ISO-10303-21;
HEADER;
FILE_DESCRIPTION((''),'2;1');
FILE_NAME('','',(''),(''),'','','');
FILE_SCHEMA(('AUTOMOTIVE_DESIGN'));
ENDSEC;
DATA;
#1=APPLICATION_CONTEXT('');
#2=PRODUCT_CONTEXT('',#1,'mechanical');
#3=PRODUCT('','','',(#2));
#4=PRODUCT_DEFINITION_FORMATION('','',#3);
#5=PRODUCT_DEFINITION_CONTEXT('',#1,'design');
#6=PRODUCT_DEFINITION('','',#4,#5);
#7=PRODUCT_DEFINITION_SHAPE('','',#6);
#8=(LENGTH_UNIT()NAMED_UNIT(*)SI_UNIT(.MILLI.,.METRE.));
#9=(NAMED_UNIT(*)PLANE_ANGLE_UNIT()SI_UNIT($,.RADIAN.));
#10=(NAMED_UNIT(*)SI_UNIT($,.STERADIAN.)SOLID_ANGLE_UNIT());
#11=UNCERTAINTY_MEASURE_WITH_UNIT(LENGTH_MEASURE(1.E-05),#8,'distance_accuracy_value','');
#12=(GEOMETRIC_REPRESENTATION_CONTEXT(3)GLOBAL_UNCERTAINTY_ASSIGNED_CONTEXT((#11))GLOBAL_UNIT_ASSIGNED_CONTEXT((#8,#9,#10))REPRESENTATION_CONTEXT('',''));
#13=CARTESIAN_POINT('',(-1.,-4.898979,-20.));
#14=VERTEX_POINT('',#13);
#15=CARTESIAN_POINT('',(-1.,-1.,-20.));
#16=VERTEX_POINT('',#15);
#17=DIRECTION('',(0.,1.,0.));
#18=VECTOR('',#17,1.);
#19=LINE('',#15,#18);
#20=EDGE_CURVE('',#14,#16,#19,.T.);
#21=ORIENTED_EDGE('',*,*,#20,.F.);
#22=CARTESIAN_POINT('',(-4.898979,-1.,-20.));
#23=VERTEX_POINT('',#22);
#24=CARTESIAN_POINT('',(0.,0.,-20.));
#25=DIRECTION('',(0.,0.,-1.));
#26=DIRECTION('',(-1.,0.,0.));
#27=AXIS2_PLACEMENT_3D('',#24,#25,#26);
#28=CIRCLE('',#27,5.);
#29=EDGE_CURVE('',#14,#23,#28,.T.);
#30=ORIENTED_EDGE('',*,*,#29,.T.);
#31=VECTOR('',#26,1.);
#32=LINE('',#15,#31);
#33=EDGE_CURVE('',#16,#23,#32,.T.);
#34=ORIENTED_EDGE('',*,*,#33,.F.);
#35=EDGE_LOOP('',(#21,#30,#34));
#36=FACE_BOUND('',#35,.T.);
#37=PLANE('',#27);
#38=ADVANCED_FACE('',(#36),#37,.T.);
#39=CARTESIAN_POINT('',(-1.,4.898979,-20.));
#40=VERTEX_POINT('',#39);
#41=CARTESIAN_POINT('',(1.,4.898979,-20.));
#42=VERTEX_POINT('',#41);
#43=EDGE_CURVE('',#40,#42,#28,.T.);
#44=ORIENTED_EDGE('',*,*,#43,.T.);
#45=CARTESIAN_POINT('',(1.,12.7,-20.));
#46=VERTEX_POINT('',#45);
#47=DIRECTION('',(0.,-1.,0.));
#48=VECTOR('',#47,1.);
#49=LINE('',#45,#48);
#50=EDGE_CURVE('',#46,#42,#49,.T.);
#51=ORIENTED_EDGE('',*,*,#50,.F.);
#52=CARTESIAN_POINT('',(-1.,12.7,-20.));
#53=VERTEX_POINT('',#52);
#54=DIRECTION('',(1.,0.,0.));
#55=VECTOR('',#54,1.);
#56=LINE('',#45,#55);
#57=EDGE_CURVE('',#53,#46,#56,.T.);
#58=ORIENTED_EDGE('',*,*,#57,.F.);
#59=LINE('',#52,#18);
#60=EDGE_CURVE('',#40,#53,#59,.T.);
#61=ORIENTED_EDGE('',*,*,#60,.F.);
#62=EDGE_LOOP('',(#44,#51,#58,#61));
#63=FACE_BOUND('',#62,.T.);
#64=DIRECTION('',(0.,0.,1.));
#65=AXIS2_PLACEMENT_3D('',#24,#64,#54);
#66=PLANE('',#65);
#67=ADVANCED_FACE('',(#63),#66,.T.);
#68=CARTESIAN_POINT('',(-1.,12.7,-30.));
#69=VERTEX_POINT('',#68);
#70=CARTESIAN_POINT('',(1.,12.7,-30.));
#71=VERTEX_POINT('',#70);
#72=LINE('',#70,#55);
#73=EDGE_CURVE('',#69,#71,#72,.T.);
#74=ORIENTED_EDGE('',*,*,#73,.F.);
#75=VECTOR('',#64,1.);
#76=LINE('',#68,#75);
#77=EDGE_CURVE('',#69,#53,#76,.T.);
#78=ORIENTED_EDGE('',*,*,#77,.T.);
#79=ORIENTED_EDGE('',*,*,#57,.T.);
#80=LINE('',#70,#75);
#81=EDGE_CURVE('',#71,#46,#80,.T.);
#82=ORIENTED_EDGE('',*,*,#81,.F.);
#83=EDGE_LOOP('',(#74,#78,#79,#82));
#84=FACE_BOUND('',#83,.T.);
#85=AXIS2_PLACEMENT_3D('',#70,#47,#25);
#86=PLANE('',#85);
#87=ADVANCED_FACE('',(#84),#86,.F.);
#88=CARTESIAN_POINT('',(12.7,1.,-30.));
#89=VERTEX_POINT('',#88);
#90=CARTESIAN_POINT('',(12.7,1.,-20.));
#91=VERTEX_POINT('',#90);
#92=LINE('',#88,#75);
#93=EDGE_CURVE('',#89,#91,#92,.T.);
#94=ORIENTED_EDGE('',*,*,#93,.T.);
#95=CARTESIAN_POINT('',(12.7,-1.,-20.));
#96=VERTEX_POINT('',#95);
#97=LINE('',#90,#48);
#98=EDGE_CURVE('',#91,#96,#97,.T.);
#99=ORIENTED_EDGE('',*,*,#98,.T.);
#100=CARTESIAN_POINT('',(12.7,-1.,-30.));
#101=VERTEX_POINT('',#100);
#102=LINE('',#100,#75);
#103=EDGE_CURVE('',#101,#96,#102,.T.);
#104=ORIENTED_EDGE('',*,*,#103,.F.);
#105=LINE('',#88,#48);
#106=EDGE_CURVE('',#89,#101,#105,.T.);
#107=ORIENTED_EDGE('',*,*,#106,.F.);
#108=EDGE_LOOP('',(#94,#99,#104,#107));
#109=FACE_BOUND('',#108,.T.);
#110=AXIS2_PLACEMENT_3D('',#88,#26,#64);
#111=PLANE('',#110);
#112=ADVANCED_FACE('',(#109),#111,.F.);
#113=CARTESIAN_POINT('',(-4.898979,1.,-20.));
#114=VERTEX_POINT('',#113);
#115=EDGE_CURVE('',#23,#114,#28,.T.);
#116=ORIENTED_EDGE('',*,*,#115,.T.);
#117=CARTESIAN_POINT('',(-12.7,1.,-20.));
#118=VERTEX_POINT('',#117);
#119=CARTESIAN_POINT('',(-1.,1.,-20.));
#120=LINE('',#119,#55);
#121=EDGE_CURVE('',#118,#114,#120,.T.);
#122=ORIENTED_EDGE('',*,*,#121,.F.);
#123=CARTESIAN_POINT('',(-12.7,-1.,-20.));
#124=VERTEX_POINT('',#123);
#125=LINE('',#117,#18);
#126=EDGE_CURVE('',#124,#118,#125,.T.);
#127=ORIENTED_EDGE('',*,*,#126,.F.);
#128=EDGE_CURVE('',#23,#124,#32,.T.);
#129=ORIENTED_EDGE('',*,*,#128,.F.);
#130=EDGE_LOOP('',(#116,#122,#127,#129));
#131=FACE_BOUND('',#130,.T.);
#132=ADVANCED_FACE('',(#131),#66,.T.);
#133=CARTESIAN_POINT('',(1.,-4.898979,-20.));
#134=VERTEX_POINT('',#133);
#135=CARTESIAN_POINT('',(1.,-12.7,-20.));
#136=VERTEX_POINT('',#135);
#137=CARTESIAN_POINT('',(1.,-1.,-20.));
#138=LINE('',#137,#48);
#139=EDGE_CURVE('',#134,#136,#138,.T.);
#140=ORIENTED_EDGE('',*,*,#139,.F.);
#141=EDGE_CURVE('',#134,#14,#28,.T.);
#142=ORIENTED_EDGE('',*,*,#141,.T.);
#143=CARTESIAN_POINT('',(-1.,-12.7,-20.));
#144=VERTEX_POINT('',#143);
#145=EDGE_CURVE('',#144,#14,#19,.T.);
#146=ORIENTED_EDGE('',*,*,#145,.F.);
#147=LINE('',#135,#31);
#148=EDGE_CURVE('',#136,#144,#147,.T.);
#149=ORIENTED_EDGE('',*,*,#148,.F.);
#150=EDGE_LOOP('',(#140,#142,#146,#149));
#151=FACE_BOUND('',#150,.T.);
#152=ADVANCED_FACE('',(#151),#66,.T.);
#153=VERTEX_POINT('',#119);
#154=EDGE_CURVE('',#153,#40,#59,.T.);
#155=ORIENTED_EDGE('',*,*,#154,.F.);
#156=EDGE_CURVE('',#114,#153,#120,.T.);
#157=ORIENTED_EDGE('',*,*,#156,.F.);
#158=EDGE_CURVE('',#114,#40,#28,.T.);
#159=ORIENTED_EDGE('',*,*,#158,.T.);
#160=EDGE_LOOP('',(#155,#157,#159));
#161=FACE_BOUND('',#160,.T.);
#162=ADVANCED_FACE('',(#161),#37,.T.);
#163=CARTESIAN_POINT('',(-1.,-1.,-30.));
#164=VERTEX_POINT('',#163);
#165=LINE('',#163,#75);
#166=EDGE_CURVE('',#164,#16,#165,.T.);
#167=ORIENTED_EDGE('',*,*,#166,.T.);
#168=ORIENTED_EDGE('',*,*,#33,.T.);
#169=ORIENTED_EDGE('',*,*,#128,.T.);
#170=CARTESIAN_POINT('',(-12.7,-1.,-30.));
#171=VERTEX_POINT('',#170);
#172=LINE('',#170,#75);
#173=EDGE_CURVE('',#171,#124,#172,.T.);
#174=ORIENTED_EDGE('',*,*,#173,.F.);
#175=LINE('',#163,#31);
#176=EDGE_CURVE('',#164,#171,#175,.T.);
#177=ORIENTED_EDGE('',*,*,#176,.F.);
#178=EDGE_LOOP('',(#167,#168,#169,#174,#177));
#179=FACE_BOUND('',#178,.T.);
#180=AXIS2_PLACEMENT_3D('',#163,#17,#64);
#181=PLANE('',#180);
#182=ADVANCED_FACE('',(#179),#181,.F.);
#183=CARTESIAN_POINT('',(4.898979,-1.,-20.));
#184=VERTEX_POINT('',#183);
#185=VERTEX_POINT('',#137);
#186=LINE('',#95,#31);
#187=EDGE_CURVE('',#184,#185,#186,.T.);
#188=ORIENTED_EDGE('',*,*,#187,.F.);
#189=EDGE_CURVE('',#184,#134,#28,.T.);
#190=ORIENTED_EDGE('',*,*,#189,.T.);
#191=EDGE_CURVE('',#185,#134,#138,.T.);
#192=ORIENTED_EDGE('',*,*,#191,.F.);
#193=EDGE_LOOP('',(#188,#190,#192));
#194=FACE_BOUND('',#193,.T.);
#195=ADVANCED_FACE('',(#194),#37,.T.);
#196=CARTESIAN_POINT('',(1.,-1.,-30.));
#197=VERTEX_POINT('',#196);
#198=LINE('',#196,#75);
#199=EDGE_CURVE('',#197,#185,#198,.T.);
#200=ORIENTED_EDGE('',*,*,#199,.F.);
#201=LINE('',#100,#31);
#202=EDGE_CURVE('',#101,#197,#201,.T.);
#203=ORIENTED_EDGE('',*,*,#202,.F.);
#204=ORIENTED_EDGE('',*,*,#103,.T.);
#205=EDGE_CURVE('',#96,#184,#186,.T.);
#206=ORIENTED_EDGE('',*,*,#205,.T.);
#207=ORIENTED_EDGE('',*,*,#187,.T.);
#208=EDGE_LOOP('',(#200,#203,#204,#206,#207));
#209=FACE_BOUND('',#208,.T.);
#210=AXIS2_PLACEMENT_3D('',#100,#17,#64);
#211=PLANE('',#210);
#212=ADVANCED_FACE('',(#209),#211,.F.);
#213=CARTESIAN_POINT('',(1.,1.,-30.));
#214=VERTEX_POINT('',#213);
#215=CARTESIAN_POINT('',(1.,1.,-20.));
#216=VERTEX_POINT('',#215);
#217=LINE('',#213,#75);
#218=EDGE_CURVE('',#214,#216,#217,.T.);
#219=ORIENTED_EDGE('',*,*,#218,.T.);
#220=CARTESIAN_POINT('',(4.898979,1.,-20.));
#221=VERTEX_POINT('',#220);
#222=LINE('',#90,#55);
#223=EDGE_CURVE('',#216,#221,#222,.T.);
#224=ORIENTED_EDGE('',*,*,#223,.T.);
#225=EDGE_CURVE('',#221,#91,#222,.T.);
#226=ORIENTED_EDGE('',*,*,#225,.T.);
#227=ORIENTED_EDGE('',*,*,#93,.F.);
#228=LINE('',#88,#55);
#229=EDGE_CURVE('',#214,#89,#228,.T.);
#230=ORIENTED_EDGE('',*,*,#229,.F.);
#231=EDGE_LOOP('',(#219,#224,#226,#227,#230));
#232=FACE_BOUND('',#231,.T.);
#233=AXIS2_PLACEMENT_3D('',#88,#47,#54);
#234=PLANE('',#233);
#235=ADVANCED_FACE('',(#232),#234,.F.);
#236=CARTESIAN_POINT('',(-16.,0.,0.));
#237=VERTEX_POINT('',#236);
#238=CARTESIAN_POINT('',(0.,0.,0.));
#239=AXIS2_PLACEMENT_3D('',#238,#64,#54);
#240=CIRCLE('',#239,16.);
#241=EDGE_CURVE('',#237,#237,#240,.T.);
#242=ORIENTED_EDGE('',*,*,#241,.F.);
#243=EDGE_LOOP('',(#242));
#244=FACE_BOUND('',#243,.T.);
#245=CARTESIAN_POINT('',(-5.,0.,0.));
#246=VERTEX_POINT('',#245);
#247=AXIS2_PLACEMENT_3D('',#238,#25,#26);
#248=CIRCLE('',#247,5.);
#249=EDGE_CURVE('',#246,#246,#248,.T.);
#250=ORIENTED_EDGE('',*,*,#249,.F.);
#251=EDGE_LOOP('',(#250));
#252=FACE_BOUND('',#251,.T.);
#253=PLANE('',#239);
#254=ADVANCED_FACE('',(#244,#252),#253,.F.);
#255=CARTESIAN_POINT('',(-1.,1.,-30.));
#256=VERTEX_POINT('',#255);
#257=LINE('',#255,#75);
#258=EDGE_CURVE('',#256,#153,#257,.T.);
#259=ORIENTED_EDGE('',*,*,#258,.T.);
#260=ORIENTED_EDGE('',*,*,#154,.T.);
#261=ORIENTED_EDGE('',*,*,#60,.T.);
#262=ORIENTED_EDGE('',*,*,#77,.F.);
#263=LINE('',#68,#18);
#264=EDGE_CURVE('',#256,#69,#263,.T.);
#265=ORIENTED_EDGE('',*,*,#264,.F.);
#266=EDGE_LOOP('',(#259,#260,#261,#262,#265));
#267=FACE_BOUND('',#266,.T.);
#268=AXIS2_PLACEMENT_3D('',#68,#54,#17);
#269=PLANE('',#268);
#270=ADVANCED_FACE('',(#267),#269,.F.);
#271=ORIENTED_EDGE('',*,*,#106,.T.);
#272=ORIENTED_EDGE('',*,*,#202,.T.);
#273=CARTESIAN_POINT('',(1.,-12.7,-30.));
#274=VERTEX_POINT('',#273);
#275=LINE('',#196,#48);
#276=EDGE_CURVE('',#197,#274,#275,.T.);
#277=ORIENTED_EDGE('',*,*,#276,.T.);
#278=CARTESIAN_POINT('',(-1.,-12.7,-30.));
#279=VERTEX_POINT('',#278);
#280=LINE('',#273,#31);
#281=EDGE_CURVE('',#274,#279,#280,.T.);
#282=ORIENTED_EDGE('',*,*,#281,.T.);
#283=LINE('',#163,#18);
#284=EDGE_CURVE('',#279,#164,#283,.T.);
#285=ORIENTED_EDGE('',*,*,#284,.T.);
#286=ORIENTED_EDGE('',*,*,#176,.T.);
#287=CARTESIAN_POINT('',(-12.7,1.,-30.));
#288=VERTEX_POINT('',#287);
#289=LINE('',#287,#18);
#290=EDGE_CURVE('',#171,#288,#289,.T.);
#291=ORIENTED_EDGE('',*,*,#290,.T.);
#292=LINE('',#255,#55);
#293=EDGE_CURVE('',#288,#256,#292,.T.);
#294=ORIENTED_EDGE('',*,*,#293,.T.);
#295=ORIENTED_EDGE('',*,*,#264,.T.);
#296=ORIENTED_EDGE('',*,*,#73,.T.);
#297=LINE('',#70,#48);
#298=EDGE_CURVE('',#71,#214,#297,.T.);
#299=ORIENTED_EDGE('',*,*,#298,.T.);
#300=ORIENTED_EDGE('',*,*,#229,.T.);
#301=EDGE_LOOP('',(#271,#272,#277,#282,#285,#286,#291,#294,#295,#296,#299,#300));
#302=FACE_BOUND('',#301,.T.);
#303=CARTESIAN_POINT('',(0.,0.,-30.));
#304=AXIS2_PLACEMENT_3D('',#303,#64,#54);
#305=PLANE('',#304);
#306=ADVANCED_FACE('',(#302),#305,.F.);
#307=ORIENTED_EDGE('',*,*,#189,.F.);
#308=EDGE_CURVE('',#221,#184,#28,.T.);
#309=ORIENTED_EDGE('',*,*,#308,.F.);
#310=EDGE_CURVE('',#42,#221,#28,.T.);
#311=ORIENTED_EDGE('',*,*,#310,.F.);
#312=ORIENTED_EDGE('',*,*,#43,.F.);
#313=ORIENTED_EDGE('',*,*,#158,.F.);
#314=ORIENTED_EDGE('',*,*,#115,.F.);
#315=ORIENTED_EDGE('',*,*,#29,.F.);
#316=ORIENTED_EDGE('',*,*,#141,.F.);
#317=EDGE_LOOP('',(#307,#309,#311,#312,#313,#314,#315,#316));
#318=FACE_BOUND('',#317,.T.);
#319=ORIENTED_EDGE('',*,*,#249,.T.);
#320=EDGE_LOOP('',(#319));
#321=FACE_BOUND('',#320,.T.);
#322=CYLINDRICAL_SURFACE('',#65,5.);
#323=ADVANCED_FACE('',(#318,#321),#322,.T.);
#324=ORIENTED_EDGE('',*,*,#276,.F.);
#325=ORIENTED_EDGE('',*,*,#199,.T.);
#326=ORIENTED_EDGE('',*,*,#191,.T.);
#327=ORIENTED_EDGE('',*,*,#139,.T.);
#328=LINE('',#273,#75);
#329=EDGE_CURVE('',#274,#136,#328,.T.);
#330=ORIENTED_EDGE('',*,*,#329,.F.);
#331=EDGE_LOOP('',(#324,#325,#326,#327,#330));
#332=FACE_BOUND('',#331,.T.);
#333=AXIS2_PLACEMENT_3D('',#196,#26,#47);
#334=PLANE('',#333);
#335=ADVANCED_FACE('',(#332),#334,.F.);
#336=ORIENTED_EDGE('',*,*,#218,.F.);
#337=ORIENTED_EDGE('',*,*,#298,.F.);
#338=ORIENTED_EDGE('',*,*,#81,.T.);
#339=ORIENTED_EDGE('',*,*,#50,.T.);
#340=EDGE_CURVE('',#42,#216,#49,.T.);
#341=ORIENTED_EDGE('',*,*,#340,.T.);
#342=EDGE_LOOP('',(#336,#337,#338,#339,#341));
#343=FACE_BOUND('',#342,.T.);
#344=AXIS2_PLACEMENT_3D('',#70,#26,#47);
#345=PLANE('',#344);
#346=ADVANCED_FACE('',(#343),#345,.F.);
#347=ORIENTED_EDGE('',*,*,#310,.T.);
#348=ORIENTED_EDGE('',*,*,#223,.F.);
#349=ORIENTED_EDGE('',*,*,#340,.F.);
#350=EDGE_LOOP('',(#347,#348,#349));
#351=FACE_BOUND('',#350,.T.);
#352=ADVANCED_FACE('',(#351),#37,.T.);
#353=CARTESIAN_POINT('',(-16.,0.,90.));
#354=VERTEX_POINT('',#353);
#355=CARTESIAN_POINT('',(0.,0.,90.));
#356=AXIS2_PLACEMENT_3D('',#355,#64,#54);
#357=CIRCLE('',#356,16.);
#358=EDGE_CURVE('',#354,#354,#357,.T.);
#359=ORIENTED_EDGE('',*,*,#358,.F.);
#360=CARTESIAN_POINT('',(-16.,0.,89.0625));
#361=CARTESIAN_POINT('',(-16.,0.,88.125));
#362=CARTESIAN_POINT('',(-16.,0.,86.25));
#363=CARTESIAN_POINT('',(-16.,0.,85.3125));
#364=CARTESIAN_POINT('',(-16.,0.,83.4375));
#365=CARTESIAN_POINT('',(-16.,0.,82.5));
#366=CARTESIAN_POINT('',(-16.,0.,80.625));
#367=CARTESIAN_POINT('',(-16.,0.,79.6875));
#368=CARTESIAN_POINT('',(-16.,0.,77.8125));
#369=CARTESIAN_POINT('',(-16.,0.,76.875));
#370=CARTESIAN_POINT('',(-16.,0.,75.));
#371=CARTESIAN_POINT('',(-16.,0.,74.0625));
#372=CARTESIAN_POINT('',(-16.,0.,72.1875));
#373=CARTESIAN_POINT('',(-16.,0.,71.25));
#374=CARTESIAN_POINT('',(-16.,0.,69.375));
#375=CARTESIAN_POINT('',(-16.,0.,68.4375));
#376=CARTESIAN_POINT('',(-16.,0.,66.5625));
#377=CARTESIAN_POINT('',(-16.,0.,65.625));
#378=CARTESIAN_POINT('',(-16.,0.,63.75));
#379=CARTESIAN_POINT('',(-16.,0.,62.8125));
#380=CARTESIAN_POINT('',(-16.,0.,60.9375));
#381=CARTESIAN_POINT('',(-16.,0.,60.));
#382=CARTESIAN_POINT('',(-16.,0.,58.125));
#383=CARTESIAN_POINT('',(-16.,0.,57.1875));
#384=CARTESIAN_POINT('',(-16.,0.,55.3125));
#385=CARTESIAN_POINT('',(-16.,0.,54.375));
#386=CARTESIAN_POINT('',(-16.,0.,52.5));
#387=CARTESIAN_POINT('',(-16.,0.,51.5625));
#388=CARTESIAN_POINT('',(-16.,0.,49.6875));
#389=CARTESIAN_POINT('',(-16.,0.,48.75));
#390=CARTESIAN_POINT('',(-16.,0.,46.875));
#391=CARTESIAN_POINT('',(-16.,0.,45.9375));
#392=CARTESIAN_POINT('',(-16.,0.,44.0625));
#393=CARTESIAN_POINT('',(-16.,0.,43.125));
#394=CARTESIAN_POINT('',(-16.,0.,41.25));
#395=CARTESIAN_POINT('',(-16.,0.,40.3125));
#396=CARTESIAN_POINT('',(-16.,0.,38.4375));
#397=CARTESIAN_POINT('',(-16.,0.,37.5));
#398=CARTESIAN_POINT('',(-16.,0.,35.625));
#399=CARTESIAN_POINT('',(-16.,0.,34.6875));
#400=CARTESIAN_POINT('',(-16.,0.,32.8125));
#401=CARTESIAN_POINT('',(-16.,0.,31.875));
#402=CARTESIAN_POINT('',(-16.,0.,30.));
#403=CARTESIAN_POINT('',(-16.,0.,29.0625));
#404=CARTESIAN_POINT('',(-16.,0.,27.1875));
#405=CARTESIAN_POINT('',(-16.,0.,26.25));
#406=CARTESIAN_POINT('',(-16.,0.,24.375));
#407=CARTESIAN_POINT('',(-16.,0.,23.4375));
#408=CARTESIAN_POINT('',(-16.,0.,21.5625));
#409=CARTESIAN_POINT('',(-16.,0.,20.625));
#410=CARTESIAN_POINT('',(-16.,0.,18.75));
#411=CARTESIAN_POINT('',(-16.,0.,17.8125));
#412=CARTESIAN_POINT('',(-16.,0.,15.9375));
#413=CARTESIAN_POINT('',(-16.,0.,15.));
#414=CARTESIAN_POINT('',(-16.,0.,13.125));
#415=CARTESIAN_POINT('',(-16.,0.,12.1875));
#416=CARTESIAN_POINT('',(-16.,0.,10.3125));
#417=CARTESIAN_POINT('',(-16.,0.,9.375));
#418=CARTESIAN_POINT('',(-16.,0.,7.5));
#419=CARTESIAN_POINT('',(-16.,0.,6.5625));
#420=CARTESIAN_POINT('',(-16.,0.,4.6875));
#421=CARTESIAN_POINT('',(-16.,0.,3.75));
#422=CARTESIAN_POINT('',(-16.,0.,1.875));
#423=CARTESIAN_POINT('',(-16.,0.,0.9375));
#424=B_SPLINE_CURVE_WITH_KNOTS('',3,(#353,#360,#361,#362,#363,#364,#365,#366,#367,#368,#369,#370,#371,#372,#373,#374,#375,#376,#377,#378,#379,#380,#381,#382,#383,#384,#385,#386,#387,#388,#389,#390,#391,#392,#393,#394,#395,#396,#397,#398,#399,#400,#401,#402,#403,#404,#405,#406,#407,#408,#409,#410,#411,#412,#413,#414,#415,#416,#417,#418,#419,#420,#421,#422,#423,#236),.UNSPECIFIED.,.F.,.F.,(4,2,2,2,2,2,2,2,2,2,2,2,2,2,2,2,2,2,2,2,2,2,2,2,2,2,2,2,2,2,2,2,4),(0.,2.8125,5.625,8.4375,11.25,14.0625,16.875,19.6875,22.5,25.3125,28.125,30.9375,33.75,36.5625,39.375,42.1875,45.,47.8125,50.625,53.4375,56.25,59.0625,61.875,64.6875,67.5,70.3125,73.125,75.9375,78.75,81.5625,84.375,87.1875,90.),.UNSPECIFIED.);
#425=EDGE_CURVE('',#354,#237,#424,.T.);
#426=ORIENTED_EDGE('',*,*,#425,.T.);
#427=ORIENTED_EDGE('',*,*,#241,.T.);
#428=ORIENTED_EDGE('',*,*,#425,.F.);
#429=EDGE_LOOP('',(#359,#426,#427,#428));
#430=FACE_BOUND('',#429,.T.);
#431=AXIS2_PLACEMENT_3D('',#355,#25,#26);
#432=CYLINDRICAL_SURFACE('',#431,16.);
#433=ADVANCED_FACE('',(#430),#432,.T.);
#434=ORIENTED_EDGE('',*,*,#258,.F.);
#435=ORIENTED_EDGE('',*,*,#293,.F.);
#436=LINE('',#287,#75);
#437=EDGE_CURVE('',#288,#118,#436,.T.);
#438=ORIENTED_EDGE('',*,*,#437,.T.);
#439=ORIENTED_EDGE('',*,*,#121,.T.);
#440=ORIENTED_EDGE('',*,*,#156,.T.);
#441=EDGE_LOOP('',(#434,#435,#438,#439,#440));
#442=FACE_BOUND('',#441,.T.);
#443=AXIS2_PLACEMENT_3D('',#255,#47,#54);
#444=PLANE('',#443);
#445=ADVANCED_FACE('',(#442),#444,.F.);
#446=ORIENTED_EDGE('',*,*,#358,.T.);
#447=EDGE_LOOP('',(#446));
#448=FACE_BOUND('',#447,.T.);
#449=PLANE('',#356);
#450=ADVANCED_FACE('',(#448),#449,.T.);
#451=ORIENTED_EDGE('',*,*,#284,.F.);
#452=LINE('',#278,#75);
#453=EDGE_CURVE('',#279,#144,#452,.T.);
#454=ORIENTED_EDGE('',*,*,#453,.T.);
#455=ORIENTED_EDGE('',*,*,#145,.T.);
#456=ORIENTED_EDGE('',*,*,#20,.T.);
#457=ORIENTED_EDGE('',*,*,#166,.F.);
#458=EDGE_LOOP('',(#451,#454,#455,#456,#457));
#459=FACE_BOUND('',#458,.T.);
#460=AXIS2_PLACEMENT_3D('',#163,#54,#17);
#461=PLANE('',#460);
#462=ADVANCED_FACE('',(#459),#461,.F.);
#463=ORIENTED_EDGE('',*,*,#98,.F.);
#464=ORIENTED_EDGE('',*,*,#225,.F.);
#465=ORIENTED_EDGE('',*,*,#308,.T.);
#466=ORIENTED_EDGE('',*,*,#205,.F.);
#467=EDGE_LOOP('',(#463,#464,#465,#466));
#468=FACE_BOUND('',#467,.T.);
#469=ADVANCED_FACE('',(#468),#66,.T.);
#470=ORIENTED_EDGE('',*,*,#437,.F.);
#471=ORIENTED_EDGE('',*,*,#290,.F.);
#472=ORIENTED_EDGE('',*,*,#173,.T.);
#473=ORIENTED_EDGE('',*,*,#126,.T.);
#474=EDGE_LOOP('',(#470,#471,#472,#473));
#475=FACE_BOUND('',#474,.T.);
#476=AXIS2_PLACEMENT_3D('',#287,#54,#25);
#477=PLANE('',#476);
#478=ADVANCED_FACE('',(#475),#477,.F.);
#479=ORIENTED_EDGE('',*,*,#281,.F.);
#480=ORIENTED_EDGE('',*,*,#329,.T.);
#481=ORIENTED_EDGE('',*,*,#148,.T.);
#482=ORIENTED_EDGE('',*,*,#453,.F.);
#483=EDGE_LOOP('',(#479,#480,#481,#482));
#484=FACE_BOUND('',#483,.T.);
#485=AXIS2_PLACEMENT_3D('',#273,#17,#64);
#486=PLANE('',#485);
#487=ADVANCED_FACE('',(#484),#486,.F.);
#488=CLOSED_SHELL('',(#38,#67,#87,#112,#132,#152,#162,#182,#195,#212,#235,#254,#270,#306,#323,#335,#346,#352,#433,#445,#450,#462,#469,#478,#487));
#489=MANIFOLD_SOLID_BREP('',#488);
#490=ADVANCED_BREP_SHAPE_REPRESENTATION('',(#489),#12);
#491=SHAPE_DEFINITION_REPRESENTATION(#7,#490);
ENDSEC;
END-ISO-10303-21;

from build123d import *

# Parameters (mm, degrees)
SKETCH2_R           = 16
BOSS_EXTRUDE1_DEPTH = 90
SKETCH3_R           = 5
BOSS_EXTRUDE2_DEPTH = 20
BOSS_EXTRUDE4_DEPTH = 10


with BuildPart() as part:
    # Sketch2 → Boss-Extrude1 (new body)
    with BuildSketch(Plane.XY):
        with Locations(Location((0, 0, 0), (0, 0, 180))):
            Circle(SKETCH2_R)
    extrude(amount=BOSS_EXTRUDE1_DEPTH)

    # Sketch3 → Boss-Extrude2 (add)
    with BuildSketch(Plane(origin=(0, 0, 0), x_dir=(-1, 0, 0), z_dir=(0, 0, -1))):
        Circle(SKETCH3_R)
    extrude(amount=BOSS_EXTRUDE2_DEPTH)

    # Sketch5 → Boss-Extrude4 (add)
    with BuildSketch(Plane(origin=(0, 0, -20), x_dir=(-1, 0, 0), z_dir=(0, 0, -1))):
        Polygon((1, 1), (12.7, 1), (12.7, -1), (1, -1), (1, -12.7), (-1, -12.7), (-1, -1), (-12.7, -1), (-12.7, 1), (-1, 1), (-1, 12.7), (1, 12.7), align=None)
    extrude(amount=BOSS_EXTRUDE4_DEPTH)


solid = part.part
